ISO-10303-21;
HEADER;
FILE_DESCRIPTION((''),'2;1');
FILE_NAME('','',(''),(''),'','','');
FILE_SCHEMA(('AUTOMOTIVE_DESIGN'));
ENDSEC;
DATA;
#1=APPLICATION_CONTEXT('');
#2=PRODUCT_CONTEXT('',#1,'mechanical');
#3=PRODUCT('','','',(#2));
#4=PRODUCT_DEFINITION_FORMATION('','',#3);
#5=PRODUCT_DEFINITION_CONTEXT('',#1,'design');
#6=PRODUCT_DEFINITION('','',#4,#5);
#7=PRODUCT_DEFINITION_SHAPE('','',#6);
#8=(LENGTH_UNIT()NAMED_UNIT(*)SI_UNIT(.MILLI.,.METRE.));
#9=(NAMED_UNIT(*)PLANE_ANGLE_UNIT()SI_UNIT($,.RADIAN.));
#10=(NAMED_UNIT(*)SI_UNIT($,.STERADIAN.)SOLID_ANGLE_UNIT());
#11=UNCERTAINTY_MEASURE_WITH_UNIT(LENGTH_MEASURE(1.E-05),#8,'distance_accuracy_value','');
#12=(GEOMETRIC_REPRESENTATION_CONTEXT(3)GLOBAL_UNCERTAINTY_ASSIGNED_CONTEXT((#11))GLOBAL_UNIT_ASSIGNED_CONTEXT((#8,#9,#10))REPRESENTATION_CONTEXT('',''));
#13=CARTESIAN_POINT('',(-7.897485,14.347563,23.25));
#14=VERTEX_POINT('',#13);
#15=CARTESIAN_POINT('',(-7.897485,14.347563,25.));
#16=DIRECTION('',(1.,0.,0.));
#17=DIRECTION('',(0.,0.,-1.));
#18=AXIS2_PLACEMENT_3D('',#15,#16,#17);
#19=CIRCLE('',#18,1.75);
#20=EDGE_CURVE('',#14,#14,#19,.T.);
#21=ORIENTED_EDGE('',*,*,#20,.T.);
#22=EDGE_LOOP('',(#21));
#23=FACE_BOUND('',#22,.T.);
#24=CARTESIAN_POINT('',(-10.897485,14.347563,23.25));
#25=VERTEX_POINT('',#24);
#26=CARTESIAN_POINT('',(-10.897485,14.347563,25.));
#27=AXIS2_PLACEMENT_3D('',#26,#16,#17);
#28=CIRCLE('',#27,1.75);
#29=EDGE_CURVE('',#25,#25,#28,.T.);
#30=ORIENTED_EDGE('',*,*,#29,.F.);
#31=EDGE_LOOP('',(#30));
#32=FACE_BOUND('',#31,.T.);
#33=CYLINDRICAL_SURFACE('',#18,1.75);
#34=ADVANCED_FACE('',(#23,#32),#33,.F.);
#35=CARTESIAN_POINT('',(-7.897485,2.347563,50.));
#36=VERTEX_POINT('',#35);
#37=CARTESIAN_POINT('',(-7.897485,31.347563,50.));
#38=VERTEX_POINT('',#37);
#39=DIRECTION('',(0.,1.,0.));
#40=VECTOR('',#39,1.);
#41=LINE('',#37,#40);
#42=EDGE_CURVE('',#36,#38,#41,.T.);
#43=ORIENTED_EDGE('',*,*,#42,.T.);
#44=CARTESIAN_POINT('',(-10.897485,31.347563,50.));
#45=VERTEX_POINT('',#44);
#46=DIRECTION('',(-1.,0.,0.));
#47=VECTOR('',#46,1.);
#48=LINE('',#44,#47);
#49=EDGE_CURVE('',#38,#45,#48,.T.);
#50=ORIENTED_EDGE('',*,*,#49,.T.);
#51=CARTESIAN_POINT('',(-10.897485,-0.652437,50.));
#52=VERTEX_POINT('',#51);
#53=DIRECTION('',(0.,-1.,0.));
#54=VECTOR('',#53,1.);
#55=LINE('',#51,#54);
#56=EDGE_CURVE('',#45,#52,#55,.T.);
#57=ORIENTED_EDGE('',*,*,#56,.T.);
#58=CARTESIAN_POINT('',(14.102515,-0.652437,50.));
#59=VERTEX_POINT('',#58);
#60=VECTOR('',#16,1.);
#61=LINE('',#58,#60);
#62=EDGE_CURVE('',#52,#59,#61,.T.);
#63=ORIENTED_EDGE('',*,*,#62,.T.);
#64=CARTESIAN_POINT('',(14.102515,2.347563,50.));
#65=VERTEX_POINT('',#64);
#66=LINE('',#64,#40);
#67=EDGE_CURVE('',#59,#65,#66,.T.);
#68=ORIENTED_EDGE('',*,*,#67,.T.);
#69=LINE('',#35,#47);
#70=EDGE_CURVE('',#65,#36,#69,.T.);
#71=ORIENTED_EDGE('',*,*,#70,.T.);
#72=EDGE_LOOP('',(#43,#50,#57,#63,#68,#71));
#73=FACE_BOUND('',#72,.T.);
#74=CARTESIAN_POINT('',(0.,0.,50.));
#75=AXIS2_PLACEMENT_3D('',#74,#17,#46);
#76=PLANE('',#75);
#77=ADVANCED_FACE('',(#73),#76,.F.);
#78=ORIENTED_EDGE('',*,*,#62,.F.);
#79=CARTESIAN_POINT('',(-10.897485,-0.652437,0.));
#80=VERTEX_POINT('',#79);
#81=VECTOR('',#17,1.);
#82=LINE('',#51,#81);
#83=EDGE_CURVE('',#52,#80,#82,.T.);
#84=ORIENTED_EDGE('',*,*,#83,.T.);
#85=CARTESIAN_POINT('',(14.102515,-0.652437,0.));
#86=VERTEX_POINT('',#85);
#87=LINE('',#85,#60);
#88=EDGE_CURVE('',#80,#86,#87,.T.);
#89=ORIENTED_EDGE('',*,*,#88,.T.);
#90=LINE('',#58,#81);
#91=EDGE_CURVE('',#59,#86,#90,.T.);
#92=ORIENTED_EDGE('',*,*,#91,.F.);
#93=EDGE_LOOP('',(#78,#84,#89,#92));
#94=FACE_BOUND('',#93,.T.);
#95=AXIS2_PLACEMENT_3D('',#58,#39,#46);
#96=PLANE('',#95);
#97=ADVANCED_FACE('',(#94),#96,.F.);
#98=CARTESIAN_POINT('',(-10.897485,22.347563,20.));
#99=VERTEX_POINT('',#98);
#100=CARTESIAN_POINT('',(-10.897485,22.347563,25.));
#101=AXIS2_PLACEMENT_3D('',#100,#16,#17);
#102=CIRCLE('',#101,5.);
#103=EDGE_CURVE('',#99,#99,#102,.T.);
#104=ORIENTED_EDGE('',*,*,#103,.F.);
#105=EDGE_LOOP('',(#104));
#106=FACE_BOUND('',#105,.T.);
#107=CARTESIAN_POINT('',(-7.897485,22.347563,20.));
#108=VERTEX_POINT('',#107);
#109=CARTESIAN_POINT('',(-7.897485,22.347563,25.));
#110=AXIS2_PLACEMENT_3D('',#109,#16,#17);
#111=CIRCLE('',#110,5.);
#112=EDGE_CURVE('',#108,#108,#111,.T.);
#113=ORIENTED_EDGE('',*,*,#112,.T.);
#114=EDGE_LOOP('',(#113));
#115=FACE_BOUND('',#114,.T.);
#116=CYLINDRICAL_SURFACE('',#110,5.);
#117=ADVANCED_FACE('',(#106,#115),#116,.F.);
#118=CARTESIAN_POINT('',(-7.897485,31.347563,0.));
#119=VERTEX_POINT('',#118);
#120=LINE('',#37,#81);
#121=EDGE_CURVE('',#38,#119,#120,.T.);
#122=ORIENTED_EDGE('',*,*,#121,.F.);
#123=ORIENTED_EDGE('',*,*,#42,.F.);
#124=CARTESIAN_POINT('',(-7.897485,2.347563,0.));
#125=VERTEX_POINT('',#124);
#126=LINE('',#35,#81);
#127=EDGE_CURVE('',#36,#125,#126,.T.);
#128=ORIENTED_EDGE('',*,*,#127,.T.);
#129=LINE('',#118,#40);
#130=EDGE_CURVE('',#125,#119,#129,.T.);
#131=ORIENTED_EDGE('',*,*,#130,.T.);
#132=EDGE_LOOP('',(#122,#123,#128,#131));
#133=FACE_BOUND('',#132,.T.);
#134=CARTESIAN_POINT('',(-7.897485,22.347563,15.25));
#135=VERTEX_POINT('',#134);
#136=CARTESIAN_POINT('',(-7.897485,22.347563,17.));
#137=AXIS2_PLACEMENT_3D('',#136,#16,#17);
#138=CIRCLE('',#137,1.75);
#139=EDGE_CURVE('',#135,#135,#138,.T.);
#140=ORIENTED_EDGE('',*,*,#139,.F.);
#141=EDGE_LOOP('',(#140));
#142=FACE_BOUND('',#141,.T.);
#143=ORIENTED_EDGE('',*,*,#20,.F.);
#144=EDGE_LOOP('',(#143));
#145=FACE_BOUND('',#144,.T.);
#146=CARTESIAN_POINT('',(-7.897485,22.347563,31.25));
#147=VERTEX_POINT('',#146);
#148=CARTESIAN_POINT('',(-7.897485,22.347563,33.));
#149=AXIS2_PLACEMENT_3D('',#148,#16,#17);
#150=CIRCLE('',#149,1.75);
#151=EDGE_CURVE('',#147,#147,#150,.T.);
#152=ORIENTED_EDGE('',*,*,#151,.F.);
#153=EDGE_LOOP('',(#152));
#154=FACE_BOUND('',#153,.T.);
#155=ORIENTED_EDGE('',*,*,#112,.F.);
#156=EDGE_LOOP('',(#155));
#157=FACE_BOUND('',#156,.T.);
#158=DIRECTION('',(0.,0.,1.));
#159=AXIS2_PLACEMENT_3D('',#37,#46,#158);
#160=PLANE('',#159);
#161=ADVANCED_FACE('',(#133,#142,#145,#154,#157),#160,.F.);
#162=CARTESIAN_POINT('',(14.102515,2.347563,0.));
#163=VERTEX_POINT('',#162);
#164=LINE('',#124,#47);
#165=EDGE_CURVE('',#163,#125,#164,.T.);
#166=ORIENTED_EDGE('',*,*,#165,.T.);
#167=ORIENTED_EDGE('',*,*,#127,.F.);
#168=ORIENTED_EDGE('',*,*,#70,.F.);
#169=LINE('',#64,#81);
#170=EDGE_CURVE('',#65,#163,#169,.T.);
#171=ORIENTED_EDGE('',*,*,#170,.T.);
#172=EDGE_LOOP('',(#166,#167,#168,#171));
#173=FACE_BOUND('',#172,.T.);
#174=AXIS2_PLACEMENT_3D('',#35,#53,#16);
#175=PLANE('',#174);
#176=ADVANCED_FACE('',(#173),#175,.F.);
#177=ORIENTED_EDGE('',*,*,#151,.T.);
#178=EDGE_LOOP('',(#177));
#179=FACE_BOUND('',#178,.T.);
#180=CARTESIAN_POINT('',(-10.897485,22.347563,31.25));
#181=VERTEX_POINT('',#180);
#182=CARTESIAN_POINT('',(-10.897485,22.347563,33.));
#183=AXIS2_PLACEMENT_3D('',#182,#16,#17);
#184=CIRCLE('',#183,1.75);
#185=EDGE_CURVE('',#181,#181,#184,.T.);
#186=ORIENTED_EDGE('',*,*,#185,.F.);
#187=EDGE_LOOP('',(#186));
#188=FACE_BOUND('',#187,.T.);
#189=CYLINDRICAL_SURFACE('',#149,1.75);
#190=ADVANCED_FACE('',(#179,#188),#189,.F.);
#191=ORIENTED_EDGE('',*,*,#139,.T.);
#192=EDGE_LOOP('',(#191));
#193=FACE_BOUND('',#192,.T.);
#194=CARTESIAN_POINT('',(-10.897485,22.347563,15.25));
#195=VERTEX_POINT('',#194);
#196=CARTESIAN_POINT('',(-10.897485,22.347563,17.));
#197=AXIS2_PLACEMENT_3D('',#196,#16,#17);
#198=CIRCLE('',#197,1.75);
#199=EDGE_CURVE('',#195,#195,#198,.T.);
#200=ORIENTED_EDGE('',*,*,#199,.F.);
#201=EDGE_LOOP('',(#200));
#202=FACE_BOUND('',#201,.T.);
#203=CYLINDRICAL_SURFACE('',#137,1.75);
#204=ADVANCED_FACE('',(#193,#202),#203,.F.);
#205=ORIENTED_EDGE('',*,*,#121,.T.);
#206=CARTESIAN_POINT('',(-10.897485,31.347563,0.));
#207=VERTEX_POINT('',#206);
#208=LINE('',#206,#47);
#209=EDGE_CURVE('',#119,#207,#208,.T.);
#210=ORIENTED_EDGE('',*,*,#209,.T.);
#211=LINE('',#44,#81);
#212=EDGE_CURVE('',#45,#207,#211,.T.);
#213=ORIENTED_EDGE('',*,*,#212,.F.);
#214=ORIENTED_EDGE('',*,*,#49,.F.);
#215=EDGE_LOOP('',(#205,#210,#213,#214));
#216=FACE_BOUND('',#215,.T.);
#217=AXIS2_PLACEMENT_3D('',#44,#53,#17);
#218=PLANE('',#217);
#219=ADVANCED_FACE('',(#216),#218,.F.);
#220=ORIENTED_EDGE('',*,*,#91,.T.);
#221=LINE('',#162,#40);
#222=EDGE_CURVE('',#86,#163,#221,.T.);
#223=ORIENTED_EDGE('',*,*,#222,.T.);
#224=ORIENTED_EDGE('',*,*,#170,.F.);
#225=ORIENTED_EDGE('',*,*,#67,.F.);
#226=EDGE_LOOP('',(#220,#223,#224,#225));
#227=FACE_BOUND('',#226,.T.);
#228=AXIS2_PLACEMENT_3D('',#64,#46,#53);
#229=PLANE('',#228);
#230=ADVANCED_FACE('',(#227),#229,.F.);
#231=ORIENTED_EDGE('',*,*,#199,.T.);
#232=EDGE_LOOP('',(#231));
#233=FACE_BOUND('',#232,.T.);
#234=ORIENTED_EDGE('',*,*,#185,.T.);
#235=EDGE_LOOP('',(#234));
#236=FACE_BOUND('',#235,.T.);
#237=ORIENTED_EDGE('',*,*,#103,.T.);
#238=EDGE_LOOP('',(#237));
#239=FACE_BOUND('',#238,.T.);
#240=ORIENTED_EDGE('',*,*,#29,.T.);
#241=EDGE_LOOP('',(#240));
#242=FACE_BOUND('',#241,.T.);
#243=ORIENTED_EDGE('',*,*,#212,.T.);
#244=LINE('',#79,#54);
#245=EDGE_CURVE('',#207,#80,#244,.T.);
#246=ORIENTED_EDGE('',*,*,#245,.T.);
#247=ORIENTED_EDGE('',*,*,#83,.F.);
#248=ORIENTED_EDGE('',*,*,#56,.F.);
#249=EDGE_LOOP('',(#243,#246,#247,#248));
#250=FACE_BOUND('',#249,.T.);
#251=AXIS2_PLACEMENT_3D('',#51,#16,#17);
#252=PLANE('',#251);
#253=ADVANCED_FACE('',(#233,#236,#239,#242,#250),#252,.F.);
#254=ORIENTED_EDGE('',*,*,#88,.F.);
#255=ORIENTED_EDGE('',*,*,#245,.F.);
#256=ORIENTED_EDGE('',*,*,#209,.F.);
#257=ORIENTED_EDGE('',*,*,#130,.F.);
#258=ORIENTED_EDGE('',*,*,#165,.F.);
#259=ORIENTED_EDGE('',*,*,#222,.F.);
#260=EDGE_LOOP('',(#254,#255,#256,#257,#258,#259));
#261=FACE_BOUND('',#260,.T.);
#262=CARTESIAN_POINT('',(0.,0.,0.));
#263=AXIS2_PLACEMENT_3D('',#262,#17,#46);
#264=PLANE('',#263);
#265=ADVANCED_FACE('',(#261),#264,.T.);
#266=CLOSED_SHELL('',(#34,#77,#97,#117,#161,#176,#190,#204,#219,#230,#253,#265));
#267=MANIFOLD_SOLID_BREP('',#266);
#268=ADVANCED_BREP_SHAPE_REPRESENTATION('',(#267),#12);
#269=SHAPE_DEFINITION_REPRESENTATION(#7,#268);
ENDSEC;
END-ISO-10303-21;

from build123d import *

# Parameters (mm, degrees)
BOSS_EXTRUDE1_DEPTH            = 50
HOLE_FOR_M5_300_SC_NUTS_SP_1_D = 10
HOLE_FOR_M5_300_SC_NUTS_SP_2_D = 3.5


with BuildPart() as part:
    # Sketch1 → Boss-Extrude1 (new body)
    with BuildSketch(Plane.XY):
        Polygon((-7.897485035, 31.347562808), (-7.897485035, 2.347562808), (14.102514965, 2.347562808), (14.102514965, -0.652437192), (-10.897485035, -0.652437192), (-10.897485035, 31.347562808), align=None)
    extrude(amount=BOSS_EXTRUDE1_DEPTH)

    # Hole for M5 300® SC Nuts (SP)1 (through all)
    with Locations(Plane(origin=(-7.897485035, 0, 0), x_dir=(0, 0, -1), z_dir=(1, 0, 0))):
        with Locations((-25, 22.347562808)):
            Hole(HOLE_FOR_M5_300_SC_NUTS_SP_1_D / 2)

    # Hole for M5 300® SC Nuts (SP)2 (through all)
    with Locations(Plane(origin=(-7.897485035, 0, 0), x_dir=(0, 0, -1), z_dir=(1, 0, 0))):
        with Locations((-17, 22.347562808), (-33, 22.347562808), (-25, 14.347562808)):
            Hole(HOLE_FOR_M5_300_SC_NUTS_SP_2_D / 2)


solid = part.part
